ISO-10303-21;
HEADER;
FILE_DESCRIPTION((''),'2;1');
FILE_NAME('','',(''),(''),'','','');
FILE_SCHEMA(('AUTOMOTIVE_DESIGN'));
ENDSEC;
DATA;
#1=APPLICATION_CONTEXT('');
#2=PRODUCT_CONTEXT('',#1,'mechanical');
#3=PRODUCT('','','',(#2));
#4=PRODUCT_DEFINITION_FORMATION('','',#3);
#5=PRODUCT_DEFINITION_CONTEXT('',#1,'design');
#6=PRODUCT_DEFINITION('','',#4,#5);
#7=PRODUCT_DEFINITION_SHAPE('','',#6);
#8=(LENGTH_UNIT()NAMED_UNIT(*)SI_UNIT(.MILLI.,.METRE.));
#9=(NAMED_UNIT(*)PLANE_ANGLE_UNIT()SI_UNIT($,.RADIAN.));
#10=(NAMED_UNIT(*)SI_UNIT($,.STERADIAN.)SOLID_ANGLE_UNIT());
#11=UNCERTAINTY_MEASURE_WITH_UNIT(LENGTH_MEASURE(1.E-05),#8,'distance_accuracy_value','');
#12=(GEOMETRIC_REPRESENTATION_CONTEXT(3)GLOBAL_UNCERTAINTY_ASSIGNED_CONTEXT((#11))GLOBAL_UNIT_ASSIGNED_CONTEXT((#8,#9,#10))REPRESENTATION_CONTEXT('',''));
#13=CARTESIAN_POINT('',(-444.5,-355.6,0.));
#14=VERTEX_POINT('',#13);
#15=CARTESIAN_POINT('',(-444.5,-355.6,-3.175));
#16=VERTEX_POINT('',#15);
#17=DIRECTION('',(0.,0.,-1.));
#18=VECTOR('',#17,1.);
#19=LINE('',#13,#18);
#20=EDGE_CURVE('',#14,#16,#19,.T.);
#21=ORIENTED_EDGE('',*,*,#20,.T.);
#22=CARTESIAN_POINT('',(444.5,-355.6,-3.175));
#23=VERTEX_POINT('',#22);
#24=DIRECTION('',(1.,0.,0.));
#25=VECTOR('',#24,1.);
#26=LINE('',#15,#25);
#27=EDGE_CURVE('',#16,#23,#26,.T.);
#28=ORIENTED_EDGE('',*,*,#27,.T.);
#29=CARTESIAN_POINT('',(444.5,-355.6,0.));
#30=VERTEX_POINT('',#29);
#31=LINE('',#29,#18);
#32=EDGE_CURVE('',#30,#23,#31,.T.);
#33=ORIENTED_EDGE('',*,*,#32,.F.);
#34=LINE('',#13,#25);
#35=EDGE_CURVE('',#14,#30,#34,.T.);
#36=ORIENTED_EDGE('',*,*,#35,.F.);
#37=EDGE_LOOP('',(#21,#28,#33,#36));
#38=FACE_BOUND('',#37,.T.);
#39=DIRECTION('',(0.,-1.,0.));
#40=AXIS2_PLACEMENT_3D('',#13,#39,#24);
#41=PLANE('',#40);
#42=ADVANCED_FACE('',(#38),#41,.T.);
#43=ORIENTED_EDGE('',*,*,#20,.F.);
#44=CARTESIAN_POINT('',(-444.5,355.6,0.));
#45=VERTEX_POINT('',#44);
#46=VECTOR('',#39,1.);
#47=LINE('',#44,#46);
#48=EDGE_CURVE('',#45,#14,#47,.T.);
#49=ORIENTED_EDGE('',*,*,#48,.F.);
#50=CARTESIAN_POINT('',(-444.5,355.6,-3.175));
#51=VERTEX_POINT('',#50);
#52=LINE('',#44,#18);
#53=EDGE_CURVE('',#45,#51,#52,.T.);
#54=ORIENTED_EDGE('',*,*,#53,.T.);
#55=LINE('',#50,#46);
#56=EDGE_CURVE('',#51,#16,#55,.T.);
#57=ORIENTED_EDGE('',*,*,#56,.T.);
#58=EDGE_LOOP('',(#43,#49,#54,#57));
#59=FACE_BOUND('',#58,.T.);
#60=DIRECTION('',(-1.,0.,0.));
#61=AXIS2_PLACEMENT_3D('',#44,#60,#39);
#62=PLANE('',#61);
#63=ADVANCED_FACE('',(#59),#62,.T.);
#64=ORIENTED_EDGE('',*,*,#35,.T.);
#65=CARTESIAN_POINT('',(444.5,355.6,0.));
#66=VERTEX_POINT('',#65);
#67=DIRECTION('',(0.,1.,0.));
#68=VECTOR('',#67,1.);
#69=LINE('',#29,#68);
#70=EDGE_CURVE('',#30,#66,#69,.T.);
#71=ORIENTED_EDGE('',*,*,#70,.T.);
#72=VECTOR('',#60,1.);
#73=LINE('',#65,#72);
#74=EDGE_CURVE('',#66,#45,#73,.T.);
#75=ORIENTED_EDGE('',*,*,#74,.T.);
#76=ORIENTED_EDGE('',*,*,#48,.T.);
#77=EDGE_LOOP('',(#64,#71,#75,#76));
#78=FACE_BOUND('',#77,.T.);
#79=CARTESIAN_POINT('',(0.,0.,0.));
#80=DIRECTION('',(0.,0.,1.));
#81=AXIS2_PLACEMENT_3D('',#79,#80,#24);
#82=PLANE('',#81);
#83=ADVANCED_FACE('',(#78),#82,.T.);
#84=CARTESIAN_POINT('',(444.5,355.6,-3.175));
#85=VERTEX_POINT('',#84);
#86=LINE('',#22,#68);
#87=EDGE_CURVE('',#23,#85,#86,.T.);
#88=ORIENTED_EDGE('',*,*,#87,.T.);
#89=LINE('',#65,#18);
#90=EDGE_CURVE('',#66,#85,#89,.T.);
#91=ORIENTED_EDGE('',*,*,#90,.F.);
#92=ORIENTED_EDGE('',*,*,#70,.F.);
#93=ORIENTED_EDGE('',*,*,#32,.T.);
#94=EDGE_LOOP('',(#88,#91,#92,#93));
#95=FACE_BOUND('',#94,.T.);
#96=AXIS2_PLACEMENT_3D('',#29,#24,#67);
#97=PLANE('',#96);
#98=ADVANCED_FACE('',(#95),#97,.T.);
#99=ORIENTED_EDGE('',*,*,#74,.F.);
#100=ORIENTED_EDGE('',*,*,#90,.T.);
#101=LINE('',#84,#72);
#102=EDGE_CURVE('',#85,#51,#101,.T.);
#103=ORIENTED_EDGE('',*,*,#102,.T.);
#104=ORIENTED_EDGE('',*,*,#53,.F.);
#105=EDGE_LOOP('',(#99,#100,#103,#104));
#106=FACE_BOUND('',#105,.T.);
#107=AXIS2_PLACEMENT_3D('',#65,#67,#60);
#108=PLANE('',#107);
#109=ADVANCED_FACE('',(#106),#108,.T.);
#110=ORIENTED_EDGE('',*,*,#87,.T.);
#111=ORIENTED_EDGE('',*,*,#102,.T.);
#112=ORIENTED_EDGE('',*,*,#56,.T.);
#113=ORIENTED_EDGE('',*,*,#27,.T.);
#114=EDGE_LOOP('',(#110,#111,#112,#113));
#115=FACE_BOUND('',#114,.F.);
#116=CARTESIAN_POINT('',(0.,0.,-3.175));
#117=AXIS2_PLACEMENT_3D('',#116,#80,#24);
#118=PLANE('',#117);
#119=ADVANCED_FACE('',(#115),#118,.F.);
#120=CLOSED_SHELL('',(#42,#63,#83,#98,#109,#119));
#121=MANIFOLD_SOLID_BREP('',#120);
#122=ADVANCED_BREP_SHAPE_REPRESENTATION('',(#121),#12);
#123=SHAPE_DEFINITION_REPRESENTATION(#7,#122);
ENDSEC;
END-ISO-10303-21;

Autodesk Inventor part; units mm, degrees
ref_plane "YZ Plane" through (0, 0, 0) normal (1, 0, 0) x (0, 1, 0)
ref_plane "XZ Plane" through (0, 0, 0) normal (0, 1, 0) x (-1, 0, 0)
ref_plane "XY Plane" through (0, 0, 0) normal (0, 0, 1) x (1, 0, 0)
sketch "Sketch1" plane through (0, 0, 0) normal (0, 0, 1) x (1, 0, 0)
  line L0 (-444.5, -355.6) -> (444.5, -355.6)
  line L1 (444.5, -355.6) -> (444.5, 355.6)
  line L2 (444.5, 355.6) -> (-444.5, 355.6)
  line L3 (-444.5, 355.6) -> (-444.5, -355.6)
  line L4 (-444.5, -355.6) -> (444.5, 355.6) construction
  line L5 (444.5, -355.6) -> (-444.5, 355.6) construction
  point P0 (0, 0)
  dimension "d0" = 889
  dimension "d1" = 711.2
extrude "Extrusion1" add sketch "Sketch1" against normal blind 3.175
properties part number "lexanForSide" material "Polycarbonate, Smoke"
